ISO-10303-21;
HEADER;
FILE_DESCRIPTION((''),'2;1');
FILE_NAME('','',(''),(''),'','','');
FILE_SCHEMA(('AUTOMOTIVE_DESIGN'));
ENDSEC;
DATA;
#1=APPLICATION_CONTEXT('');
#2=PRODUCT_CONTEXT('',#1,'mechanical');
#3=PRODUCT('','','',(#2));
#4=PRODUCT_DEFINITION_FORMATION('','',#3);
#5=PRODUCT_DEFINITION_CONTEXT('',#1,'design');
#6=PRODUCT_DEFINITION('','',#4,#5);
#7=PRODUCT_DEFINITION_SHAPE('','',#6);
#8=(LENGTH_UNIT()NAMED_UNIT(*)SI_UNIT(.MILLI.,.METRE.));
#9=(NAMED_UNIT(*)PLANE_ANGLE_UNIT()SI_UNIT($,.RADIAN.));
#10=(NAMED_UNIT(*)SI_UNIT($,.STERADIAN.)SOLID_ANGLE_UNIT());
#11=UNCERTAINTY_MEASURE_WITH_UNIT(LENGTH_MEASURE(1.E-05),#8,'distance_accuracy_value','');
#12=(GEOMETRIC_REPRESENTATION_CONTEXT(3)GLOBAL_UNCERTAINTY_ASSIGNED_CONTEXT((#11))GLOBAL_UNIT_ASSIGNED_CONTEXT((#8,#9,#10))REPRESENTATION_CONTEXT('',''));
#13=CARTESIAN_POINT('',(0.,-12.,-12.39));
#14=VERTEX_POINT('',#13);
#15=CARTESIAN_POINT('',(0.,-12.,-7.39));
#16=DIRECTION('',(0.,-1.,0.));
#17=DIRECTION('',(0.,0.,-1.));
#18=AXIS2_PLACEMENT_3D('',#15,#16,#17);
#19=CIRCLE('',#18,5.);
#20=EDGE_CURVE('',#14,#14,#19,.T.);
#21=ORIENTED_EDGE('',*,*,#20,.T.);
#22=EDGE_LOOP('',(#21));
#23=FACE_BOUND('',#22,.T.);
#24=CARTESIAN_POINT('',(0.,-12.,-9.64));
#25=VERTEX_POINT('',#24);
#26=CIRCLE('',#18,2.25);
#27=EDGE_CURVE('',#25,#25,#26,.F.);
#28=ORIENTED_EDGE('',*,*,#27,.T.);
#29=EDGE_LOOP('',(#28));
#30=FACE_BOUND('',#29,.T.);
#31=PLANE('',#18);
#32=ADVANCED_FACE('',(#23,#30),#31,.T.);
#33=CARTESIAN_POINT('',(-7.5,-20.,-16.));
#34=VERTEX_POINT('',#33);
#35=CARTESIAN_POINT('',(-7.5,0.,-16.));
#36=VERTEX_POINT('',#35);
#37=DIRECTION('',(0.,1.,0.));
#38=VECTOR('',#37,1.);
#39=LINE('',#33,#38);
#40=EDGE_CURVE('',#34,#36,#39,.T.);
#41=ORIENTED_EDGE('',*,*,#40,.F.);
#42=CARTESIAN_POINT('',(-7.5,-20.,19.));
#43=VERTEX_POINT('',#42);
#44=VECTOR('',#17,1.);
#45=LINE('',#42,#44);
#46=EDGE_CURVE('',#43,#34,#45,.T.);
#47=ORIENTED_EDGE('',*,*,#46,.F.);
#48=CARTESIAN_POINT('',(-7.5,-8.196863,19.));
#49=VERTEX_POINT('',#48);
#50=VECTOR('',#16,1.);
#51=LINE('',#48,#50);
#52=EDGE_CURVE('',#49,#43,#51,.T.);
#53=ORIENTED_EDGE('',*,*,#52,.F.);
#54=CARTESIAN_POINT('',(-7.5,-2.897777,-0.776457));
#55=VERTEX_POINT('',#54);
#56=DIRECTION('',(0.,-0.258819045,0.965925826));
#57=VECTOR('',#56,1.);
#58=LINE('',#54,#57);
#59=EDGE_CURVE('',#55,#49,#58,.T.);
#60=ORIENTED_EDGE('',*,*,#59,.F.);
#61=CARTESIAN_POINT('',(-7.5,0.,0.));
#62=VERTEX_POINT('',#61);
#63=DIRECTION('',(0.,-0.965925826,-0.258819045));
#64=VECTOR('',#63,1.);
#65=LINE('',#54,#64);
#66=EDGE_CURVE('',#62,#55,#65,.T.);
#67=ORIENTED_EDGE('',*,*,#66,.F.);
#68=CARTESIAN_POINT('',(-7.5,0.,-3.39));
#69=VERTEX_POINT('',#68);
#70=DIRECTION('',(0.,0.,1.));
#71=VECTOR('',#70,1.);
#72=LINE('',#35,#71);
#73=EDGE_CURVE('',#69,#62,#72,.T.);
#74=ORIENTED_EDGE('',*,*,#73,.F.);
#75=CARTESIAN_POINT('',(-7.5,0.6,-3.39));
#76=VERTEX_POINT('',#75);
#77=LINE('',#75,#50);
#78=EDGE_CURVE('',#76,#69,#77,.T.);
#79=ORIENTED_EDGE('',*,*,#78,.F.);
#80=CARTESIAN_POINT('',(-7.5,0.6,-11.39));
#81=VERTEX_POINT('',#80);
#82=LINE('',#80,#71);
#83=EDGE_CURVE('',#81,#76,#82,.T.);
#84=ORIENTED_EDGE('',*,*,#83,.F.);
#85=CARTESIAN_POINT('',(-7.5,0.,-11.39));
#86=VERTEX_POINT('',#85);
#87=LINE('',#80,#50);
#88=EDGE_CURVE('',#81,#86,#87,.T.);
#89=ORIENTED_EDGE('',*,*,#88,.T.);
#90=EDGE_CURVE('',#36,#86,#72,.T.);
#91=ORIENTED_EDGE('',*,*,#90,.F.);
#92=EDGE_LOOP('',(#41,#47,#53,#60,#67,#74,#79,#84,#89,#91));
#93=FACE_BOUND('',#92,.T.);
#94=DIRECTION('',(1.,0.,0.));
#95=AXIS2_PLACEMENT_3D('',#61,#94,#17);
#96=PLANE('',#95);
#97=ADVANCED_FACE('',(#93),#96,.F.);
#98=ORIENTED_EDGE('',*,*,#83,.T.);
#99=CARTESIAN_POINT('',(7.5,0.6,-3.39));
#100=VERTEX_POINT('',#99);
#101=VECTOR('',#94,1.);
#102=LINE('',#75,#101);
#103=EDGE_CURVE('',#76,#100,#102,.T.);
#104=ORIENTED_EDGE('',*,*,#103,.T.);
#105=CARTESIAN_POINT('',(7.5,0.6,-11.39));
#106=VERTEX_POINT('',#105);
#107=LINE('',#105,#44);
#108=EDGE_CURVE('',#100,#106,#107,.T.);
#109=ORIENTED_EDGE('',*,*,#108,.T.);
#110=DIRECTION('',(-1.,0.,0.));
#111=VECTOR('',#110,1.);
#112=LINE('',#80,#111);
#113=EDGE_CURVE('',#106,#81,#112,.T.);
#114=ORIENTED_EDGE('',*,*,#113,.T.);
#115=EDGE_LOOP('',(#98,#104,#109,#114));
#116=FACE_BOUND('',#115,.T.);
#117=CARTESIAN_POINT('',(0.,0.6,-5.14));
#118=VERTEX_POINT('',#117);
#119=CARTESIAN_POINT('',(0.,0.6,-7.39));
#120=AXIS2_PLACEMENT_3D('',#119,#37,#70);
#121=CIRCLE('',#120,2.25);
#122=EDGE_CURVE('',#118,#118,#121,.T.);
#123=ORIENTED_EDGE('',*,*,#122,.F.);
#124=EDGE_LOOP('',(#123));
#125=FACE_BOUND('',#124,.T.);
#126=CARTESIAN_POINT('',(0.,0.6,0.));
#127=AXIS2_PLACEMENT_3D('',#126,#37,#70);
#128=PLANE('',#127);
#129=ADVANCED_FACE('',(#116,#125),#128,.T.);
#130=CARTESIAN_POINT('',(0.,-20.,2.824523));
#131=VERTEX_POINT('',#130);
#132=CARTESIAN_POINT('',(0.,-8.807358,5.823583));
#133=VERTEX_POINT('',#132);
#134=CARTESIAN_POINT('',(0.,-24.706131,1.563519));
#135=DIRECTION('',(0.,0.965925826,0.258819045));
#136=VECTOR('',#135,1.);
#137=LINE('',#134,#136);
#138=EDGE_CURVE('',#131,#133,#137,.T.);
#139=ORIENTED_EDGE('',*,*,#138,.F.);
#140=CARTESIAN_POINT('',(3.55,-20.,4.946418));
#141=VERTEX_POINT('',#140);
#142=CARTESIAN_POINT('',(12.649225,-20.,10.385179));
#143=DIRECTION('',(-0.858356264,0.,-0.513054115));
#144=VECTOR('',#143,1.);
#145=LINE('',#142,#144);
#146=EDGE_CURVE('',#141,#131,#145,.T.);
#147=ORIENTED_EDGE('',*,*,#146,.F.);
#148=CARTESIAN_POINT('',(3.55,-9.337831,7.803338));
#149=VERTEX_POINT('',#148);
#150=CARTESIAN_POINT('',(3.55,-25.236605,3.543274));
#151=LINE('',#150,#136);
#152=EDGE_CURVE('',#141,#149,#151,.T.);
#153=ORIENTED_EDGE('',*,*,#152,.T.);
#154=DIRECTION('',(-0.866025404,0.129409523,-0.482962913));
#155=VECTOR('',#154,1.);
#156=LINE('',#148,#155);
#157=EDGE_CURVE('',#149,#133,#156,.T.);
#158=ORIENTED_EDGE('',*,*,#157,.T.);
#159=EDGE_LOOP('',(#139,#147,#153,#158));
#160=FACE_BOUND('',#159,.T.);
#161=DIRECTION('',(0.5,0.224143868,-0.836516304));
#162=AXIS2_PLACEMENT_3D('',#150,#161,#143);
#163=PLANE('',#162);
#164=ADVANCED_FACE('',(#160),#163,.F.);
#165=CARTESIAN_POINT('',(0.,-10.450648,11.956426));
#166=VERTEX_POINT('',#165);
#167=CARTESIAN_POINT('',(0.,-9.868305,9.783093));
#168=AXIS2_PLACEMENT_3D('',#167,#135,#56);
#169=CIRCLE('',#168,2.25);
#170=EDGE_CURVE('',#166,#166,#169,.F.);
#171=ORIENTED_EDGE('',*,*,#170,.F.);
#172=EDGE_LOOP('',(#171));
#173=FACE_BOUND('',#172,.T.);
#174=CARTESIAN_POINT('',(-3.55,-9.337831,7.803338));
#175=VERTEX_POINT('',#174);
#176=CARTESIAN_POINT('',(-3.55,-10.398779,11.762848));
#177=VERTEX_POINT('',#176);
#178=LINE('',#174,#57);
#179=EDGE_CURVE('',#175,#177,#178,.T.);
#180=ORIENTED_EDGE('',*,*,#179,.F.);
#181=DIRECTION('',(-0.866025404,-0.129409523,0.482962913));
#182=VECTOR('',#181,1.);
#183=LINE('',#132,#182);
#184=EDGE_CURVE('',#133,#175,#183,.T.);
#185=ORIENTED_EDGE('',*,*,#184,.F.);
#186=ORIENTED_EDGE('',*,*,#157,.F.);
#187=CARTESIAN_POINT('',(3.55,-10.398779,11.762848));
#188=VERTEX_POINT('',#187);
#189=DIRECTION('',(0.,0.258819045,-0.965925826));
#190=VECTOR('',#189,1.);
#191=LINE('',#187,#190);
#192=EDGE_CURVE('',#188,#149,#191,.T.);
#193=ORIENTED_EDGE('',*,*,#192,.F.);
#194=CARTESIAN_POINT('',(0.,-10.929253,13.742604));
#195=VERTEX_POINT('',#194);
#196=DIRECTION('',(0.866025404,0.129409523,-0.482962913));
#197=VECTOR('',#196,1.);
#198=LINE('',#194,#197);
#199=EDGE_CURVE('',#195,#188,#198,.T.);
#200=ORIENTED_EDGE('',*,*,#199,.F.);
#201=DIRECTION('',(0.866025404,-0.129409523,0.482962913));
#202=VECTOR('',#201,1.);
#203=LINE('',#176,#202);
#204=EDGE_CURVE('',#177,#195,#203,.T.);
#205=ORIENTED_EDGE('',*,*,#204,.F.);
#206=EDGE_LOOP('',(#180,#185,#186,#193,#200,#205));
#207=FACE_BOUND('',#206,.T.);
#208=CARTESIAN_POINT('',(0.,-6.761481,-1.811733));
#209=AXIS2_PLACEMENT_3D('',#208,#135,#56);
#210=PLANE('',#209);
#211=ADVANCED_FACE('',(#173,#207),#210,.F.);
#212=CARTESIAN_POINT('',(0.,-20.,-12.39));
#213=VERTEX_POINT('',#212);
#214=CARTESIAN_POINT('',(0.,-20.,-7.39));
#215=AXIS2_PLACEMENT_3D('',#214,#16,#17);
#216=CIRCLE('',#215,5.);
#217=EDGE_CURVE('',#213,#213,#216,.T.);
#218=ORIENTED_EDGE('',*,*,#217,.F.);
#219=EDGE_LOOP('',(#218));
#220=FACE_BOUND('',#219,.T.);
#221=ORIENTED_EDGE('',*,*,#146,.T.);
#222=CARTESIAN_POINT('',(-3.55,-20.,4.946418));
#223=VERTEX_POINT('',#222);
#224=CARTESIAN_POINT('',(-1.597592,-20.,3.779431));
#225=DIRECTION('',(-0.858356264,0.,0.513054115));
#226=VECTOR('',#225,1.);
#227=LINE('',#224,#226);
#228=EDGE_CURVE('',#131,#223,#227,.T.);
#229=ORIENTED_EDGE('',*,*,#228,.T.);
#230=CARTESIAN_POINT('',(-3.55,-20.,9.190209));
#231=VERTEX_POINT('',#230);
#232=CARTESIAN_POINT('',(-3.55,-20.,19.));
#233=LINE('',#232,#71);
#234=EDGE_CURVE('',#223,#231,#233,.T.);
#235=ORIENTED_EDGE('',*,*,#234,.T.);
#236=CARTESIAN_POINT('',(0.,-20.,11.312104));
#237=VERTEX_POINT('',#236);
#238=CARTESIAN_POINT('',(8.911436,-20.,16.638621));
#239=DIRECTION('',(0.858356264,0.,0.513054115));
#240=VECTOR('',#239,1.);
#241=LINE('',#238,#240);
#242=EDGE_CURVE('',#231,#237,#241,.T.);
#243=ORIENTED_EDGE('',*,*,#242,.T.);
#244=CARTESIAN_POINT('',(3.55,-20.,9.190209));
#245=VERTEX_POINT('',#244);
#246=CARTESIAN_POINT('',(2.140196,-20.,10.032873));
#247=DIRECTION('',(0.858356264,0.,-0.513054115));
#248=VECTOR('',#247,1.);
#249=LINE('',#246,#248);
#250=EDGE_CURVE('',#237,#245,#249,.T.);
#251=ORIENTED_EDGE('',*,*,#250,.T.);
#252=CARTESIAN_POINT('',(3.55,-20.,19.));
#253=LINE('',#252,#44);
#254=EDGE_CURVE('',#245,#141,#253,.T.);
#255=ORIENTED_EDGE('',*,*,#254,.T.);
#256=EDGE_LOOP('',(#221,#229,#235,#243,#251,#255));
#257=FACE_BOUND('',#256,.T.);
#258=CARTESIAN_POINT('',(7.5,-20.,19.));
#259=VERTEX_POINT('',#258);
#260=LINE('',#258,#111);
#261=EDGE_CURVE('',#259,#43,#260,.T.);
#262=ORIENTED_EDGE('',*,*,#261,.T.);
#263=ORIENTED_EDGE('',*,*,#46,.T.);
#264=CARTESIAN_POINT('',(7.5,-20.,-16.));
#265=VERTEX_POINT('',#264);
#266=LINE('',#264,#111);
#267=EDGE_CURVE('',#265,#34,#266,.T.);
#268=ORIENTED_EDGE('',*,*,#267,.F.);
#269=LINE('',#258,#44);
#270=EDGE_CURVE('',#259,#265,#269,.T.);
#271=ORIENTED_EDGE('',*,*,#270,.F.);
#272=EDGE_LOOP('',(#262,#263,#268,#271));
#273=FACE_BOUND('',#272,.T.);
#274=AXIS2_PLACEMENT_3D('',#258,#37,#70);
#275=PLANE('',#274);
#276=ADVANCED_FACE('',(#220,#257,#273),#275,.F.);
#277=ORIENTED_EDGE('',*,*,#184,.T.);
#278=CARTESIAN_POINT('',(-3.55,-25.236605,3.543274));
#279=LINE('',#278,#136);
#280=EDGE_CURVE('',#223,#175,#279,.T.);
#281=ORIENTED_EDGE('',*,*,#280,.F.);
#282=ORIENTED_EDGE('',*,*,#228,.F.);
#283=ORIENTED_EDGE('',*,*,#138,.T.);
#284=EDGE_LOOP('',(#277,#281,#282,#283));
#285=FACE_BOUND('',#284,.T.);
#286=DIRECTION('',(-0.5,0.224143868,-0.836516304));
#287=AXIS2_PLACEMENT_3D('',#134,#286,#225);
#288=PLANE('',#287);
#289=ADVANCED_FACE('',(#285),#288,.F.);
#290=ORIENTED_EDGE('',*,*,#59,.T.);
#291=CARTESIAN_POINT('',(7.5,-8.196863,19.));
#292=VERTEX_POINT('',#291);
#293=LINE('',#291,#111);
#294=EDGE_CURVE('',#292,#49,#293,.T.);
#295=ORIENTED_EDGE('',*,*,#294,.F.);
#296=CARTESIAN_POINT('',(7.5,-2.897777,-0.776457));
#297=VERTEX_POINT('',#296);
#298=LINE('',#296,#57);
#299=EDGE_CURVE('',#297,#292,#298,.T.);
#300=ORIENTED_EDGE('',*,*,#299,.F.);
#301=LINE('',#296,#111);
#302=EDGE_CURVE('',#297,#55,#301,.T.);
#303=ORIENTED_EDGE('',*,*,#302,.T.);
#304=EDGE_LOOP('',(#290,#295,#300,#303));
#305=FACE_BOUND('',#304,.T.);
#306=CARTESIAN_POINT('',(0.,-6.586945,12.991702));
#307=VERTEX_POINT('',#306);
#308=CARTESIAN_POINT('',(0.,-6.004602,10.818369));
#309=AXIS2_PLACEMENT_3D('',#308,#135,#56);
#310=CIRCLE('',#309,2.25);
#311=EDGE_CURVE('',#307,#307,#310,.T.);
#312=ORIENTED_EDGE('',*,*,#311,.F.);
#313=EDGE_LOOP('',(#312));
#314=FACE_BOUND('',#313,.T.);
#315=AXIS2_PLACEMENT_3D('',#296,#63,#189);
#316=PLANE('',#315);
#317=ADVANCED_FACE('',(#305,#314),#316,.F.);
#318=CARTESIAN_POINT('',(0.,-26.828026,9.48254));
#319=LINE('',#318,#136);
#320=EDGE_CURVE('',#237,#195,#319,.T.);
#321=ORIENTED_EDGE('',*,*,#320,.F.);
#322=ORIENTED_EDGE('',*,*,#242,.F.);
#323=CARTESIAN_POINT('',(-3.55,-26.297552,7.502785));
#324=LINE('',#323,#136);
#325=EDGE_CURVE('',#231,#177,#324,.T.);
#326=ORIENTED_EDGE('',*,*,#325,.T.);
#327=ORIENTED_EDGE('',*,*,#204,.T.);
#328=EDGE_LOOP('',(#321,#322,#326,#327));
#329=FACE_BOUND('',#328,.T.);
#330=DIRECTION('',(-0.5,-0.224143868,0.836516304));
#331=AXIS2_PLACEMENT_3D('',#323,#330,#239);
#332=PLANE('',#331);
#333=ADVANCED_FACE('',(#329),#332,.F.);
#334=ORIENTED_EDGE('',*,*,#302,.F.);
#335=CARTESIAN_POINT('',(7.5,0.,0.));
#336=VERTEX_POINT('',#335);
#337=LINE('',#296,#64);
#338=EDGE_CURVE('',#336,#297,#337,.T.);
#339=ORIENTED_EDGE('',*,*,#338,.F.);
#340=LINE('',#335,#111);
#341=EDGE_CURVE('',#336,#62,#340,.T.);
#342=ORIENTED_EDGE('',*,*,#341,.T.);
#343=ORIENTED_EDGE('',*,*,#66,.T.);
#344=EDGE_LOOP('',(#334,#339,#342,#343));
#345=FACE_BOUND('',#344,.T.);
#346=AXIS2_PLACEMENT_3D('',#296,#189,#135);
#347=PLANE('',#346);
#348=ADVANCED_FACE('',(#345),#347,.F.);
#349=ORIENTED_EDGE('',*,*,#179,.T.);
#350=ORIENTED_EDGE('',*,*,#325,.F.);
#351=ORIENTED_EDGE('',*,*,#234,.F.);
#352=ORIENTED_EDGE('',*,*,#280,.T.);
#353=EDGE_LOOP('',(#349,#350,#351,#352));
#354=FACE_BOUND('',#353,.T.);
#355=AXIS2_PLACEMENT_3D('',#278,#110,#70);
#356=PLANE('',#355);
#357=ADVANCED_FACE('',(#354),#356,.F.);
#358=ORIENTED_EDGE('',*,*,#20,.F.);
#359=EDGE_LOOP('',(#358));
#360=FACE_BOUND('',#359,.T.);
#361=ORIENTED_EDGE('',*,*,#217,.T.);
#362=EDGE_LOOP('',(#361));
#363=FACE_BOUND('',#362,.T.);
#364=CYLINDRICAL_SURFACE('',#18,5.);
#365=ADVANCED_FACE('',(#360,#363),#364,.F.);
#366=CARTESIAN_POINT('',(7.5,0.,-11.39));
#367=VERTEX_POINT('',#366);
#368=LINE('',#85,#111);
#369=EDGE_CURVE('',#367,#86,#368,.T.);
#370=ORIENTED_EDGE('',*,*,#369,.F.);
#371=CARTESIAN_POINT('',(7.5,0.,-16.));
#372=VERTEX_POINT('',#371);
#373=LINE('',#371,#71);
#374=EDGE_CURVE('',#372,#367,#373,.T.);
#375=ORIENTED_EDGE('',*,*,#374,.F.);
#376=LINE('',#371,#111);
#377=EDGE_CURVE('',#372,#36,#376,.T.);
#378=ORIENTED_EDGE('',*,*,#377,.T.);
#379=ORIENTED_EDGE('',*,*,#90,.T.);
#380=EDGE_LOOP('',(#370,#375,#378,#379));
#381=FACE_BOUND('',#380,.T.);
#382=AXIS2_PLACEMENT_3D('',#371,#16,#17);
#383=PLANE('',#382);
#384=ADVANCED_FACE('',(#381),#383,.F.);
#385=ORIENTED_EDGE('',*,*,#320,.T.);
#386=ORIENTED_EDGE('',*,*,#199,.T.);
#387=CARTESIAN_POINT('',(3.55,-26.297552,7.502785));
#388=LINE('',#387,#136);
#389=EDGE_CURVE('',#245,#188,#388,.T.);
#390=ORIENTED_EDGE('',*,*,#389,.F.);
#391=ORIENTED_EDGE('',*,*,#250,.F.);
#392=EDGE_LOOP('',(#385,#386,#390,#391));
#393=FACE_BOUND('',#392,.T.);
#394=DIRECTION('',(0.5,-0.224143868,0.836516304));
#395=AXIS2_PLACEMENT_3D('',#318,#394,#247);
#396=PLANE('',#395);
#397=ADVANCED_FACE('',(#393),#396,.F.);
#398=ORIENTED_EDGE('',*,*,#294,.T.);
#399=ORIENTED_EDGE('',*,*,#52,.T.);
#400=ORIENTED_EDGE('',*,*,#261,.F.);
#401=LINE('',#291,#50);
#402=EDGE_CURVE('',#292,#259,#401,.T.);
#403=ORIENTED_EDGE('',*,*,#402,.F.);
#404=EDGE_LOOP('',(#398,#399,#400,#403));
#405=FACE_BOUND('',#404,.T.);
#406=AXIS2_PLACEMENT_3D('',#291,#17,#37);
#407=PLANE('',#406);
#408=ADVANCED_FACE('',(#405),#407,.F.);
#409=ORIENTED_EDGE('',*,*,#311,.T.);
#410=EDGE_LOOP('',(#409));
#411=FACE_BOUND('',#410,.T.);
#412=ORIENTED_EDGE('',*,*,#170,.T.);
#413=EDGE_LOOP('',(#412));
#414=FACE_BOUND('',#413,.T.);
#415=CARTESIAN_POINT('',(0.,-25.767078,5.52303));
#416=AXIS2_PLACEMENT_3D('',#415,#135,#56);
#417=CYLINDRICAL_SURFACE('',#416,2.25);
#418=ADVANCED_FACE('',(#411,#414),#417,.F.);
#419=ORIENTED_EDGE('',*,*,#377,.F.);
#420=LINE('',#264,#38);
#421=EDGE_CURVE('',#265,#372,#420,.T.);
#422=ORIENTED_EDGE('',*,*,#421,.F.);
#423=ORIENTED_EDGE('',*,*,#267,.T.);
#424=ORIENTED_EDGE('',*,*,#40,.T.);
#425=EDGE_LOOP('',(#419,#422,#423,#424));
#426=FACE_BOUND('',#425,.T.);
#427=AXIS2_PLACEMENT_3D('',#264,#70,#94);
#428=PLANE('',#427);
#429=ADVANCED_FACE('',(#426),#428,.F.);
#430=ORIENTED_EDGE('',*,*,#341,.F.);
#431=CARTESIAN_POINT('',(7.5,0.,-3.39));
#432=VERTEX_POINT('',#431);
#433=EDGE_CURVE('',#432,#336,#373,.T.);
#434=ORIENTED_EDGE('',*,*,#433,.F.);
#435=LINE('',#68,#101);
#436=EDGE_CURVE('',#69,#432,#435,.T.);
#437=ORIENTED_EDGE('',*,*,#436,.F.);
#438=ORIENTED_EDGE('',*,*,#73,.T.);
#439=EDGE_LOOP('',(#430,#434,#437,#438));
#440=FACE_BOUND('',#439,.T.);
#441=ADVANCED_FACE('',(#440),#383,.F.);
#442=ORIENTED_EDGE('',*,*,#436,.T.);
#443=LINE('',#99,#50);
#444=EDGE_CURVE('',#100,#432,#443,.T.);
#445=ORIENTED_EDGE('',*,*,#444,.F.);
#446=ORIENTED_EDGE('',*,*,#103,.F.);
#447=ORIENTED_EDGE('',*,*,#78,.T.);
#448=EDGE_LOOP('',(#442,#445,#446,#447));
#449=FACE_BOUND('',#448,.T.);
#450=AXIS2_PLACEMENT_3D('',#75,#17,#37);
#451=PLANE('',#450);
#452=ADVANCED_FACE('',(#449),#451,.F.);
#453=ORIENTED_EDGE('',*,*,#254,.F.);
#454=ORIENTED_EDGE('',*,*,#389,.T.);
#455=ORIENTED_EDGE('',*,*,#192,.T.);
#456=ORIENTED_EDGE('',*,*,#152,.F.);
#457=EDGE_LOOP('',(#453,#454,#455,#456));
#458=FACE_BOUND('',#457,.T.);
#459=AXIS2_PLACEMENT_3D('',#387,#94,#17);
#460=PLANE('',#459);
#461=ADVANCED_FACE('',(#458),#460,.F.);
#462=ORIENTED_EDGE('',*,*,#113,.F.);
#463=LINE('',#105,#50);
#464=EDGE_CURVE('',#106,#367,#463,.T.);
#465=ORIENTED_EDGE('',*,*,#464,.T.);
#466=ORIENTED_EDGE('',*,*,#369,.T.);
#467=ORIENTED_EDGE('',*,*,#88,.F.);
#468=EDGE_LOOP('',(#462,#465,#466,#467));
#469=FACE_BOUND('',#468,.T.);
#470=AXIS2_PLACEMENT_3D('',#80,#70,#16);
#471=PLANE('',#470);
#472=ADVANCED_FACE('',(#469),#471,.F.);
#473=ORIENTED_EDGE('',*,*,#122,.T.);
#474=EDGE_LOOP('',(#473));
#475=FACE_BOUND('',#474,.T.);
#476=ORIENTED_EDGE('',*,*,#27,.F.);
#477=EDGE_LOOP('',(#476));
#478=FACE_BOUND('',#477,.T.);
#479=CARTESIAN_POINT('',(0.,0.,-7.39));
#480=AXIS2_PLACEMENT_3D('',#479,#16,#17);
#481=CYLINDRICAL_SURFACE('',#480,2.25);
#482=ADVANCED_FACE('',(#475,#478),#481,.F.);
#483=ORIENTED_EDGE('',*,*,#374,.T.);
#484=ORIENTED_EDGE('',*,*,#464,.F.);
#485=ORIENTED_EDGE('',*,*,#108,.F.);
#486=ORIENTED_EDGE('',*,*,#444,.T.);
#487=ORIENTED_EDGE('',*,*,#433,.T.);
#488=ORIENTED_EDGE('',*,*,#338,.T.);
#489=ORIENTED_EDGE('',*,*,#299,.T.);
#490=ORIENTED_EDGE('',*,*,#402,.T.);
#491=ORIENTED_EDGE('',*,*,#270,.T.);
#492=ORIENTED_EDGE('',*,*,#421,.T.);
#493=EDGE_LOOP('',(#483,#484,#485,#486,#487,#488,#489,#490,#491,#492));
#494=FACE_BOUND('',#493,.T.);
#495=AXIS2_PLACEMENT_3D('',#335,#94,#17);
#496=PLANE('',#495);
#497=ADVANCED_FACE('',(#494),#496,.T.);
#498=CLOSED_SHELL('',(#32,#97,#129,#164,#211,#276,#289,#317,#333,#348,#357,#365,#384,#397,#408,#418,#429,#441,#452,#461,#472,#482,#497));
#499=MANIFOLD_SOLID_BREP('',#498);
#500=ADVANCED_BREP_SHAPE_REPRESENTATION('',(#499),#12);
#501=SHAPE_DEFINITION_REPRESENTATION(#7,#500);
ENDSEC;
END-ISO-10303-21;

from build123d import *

# Parameters (mm, degrees)
BOSS_EXTRUDE1_DEPTH = 7.5
SKETCH2_R           = 2.25
CUT_EXTRUDE1_DEPTH  = 28.200078529
SKETCH3_R           = 2.25
CUT_EXTRUDE2_DEPTH  = 29.587584718
CUT_EXTRUDE3_START  = -4
CUT_EXTRUDE3_DEPTH  = 24.200078529
SKETCH5_W           = 15
SKETCH5_H           = 8
SKETCH5_R           = 2.25
BOSS_EXTRUDE2_DEPTH = 0.6
SKETCH6_R           = 5
CUT_EXTRUDE4_DEPTH  = 8


with BuildPart() as part:
    # Sketch1 → Boss-Extrude1 (new, symmetric)
    with BuildSketch(Plane(origin=(0, 0, 0), x_dir=(0, 0, -1), z_dir=(1, 0, 0))):
        Polygon((0.776457135, -2.897777479), (-19, -8.196863197), (-19, -20), (16, -20), (16, 0), (0, 0), align=None)
    extrude(amount=BOSS_EXTRUDE1_DEPTH, both=True)

    # Sketch2 → Cut-Extrude1 (cut, through all)
    with BuildSketch(Plane(origin=(0, -2.897777479, -0.776457135), x_dir=(1, 0, 0), z_dir=(0, 0.9659258262890682, 0.2588190451025216))):
        with Locations(Location((0, -12.003847577, 0), (0, 0, 270))):
            Circle(SKETCH2_R)
    extrude(amount=-CUT_EXTRUDE1_DEPTH, mode=Mode.SUBTRACT)

    # Sketch3 → Cut-Extrude2 (cut, through all)
    with BuildSketch(Plane.XZ.offset(20)):
        with Locations(Location((0, -7.39, 0), (0, 0, 270))):
            Circle(SKETCH3_R)
    extrude(amount=-CUT_EXTRUDE2_DEPTH, mode=Mode.SUBTRACT)

    # Sketch4 → Cut-Extrude3 (cut, through all)
    with BuildSketch(Plane(origin=(0, -2.897777479, -0.776457135), x_dir=(1, 0, 0), z_dir=(0, 0.9659258262890681, 0.2588190451025216)).offset(CUT_EXTRUDE3_START)):
        Polygon((0, -16.103034489), (3.55, -14.053441033), (3.55, -9.954254122), (0, -7.904660666), (-3.55, -9.954254122), (-3.55, -14.053441033), align=None)
    extrude(amount=-CUT_EXTRUDE3_DEPTH, mode=Mode.SUBTRACT)

    # Sketch5 → Boss-Extrude2 (add)
    with BuildSketch(Plane(origin=(0, 0, 0), x_dir=(1, 0, 0), z_dir=(0, 1, 0))):
        with Locations((0, 7.39)):
            Rectangle(SKETCH5_W, SKETCH5_H)
        with Locations(Location((0, 7.39, 0), (0, 0, 90))):
            Circle(SKETCH5_R, mode=Mode.SUBTRACT)
    extrude(amount=BOSS_EXTRUDE2_DEPTH)

    # Sketch6 → Cut-Extrude4 (cut)
    with BuildSketch(Plane.XZ.offset(20)):
        with Locations(Location((0, -7.39, 0), (0, 0, 270))):
            Circle(SKETCH6_R)
    extrude(amount=-CUT_EXTRUDE4_DEPTH, mode=Mode.SUBTRACT)


solid = part.part
